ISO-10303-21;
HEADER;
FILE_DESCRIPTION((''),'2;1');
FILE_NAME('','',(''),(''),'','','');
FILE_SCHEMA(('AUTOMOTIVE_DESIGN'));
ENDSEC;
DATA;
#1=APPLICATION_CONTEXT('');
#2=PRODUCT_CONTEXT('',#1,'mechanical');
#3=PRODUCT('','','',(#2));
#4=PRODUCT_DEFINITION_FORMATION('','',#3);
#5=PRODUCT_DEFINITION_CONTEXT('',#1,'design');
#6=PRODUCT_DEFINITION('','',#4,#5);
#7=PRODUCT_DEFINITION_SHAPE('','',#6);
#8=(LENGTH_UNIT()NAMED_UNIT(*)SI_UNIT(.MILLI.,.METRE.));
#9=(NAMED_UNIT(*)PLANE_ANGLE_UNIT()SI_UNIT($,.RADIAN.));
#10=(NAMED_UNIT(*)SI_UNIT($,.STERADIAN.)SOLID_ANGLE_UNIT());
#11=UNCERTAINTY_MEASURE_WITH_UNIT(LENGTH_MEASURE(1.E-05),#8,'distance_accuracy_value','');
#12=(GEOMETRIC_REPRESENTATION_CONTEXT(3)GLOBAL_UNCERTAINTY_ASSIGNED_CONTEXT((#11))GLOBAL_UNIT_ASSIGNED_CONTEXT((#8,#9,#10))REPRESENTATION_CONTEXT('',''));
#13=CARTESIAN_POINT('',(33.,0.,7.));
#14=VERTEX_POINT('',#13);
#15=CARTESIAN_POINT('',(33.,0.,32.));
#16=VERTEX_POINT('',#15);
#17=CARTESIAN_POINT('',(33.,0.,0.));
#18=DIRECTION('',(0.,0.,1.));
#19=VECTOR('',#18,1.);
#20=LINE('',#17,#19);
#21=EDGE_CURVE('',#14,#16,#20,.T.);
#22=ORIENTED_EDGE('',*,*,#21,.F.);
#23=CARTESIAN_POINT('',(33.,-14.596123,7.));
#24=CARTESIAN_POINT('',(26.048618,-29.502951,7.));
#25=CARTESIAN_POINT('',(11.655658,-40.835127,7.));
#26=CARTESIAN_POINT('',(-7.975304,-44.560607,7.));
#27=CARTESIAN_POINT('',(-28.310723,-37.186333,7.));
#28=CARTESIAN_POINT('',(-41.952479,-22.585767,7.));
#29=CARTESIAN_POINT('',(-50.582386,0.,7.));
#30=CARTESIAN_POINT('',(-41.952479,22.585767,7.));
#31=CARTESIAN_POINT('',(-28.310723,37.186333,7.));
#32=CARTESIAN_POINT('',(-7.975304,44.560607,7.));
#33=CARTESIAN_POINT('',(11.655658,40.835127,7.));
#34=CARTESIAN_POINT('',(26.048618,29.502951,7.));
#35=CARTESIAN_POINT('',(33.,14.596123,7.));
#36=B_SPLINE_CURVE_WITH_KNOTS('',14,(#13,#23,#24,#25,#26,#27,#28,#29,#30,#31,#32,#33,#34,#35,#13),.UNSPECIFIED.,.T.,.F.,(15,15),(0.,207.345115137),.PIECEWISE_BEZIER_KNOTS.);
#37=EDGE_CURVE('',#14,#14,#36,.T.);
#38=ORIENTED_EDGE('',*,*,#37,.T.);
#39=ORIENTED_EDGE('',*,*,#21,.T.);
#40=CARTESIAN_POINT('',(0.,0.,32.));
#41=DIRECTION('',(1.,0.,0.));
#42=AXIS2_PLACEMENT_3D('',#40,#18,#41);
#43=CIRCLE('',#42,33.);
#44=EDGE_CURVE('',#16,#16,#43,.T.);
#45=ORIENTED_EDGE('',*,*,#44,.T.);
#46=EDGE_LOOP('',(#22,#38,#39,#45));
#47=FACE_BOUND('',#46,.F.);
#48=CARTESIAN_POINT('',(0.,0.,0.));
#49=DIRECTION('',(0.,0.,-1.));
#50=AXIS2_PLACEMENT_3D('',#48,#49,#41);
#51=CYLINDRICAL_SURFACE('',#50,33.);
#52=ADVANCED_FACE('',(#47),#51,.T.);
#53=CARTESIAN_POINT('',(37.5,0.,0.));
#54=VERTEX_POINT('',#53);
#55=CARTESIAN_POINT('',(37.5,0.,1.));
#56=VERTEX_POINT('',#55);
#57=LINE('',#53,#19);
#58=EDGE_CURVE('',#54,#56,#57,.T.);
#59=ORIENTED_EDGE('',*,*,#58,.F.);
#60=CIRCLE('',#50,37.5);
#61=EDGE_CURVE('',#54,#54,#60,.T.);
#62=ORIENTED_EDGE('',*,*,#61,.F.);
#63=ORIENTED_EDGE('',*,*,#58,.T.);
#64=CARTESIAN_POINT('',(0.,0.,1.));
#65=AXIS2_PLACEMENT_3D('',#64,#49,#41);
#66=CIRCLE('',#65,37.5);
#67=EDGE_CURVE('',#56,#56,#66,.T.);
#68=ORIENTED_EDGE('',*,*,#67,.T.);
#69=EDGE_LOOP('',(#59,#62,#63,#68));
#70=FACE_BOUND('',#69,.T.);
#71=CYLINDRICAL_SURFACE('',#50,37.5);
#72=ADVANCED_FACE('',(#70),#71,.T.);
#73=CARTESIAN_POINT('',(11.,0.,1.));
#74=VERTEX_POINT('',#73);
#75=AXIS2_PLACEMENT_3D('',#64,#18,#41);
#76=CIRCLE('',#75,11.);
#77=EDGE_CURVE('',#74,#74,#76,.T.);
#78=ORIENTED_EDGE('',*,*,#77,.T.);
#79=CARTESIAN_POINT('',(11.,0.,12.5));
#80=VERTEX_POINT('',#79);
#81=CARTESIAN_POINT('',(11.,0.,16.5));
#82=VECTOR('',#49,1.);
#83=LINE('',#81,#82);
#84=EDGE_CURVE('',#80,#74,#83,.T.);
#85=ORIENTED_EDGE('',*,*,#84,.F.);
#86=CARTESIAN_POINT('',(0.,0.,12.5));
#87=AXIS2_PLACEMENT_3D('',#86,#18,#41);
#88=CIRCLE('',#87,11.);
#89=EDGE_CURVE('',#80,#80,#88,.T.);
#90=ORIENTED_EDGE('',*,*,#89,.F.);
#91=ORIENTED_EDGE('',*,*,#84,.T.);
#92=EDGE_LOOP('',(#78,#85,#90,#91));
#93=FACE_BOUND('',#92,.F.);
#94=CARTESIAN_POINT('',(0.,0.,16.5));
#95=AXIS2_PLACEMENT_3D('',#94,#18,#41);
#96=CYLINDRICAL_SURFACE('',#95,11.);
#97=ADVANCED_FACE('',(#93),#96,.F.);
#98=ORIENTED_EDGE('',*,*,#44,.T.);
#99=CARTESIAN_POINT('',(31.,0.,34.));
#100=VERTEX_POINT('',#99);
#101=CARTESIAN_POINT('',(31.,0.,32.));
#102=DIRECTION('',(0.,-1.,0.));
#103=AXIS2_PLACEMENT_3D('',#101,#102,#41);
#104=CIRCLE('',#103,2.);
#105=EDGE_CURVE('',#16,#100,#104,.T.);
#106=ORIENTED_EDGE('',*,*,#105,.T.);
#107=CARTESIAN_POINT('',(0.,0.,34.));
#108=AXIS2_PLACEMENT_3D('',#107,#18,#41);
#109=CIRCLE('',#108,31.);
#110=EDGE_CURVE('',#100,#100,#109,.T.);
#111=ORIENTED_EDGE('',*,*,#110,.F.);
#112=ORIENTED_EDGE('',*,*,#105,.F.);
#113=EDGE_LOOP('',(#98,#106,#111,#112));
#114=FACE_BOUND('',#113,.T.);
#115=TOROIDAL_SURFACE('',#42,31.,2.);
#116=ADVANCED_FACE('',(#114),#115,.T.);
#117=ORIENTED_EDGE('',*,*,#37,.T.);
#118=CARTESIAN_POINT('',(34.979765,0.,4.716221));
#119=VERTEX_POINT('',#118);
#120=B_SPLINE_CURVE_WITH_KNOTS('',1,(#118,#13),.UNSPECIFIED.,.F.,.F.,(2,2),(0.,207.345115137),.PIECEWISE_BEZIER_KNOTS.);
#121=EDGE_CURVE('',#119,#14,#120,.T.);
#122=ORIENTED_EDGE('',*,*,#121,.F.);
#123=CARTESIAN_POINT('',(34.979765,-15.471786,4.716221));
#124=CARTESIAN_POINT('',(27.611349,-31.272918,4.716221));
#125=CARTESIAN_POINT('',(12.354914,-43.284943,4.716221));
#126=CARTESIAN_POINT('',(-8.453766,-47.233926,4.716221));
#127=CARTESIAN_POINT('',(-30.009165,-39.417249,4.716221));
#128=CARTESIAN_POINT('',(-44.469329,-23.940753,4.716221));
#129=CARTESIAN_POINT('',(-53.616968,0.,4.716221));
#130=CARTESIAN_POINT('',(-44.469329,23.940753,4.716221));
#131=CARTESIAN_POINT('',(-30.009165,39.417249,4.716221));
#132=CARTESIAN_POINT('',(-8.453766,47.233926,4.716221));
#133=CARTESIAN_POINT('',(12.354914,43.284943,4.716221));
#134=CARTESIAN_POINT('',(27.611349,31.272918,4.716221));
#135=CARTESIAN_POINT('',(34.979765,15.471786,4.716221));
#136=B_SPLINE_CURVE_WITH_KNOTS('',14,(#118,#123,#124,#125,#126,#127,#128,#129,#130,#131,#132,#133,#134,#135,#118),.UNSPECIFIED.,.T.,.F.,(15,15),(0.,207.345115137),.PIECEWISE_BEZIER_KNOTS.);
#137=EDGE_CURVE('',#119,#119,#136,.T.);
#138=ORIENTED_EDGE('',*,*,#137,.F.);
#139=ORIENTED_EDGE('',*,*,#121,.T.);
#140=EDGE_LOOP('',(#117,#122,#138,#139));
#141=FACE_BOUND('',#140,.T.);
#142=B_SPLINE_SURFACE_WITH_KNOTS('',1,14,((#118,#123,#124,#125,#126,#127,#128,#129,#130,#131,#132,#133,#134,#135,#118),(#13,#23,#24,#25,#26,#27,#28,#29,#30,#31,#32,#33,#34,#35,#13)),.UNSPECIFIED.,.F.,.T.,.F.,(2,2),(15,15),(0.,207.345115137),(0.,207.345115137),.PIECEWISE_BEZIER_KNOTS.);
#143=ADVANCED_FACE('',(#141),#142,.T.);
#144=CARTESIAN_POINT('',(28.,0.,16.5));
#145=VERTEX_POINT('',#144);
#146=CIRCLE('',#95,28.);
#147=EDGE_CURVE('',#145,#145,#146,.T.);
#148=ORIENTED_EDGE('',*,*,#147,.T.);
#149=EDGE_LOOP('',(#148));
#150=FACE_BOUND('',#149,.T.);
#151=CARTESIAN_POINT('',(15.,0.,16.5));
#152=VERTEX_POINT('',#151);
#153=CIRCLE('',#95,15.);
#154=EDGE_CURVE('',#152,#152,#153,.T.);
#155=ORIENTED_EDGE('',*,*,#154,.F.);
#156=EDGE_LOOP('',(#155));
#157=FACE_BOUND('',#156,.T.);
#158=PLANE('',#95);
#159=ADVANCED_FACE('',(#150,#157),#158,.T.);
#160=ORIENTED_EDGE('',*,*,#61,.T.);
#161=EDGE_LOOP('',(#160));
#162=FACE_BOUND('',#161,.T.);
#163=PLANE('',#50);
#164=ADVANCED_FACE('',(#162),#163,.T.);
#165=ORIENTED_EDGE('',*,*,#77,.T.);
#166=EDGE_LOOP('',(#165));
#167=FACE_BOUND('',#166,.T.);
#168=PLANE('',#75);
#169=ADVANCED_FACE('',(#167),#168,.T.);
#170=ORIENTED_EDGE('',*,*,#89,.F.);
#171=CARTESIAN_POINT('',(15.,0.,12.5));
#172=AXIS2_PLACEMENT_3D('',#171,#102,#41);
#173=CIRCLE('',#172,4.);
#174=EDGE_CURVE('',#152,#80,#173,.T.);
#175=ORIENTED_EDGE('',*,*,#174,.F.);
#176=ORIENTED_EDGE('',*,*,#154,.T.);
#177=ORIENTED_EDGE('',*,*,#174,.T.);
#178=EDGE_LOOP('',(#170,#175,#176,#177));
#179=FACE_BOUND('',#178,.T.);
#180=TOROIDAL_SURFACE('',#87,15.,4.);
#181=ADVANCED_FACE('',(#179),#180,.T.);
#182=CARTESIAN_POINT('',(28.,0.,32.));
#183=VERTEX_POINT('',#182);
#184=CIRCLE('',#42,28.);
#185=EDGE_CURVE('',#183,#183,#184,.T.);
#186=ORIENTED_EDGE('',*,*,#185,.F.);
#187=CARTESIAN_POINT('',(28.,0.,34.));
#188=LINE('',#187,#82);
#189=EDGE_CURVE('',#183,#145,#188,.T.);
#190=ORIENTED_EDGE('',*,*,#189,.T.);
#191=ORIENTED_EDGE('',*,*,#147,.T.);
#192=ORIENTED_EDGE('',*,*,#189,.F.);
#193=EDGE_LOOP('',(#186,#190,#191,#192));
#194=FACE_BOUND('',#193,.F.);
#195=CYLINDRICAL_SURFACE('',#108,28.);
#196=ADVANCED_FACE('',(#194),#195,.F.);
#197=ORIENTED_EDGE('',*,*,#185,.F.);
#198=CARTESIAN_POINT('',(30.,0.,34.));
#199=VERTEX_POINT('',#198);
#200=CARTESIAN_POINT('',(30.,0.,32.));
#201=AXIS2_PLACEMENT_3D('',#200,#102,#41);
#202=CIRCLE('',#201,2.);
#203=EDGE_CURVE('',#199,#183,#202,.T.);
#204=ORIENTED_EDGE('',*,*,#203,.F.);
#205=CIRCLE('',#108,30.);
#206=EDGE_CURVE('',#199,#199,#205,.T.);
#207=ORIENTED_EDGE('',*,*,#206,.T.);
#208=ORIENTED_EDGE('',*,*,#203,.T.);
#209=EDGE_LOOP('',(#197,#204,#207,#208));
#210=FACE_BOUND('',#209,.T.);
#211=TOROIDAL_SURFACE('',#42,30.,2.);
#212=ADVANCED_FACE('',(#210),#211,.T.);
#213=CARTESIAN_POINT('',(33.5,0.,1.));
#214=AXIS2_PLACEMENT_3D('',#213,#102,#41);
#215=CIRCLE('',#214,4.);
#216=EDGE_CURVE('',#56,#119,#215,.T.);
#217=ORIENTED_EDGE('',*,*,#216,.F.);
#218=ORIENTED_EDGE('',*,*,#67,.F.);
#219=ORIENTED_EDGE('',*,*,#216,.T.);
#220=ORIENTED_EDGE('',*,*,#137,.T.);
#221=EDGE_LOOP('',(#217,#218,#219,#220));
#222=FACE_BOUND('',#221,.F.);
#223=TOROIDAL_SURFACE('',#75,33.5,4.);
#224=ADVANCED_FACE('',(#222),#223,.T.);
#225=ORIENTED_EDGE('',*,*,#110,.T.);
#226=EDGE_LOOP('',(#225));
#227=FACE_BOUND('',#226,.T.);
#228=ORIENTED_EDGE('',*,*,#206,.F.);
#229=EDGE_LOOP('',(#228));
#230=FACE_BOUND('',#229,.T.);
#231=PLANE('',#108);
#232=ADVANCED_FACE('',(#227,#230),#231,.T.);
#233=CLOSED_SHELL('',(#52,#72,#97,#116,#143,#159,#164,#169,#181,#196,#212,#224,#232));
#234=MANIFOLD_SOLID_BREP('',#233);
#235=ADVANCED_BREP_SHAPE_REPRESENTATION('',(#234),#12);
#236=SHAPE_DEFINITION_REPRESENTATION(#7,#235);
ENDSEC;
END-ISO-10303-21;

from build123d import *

# Parameters (mm, degrees)
SKETCH_R        = 33
PAD_DEPTH       = 34
SKETCH001_R     = 28
POCKET_DEPTH    = 17.5
SKETCH002_R     = 11
POCKET001_DEPTH = 15.5
SKETCH003_R     = 37.5
SKETCH003_R_2   = 25
PAD001_DEPTH    = 5
FILLET_R        = 4
CHAMFER_SIZE    = 2
FILLET001_R     = 2
FILLET002_R     = 2
FILLET003_R     = 4


with BuildPart() as part:
    # Sketch → Pad (new body)
    with BuildSketch(Plane.XY):
        Circle(SKETCH_R)
    extrude(amount=PAD_DEPTH)

    # Sketch001 (on Face3 of Pad) → Pocket (cut)
    with BuildSketch(Plane.XY.offset(34)):
        Circle(SKETCH001_R)
    extrude(amount=-POCKET_DEPTH, mode=Mode.SUBTRACT)

    # Sketch002 (on Face5 of Pocket) → Pocket001 (cut)
    with BuildSketch(Plane.XY.offset(16.5)):
        Circle(SKETCH002_R)
    extrude(amount=-POCKET001_DEPTH, mode=Mode.SUBTRACT)

    # Sketch003 (on Face2 of Pocket001) → Pad001 (join)
    with BuildSketch(Plane(origin=(0, 0, 0), x_dir=(1, 0, 0), z_dir=(0, 0, -1))):
        Circle(SKETCH003_R)
        Circle(SKETCH003_R_2, mode=Mode.SUBTRACT)
    extrude(amount=-PAD001_DEPTH)

    # Fillet
    fillet_edges = [part.edges().sort_by_distance(p)[0] for p in [
        (-37.5, 0, 5),
    ]]
    fillet(fillet_edges, radius=FILLET_R)

    # Chamfer
    chamfer_edges = [part.edges().sort_by_distance(p)[0] for p in [
        (-33, 0, 5),
    ]]
    chamfer(chamfer_edges, length=CHAMFER_SIZE)

    # Fillet001
    fillet001_edges = [part.edges().sort_by_distance(p)[0] for p in [
        (-33, 0, 34),
    ]]
    fillet(fillet001_edges, radius=FILLET001_R)

    # Fillet002
    fillet002_edges = [part.edges().sort_by_distance(p)[0] for p in [
        (-28, 0, 34),
    ]]
    fillet(fillet002_edges, radius=FILLET002_R)

    # Fillet003
    fillet003_edges = [part.edges().sort_by_distance(p)[0] for p in [
        (-11, 0, 16.5),
    ]]
    fillet(fillet003_edges, radius=FILLET003_R)


solid = part.part
